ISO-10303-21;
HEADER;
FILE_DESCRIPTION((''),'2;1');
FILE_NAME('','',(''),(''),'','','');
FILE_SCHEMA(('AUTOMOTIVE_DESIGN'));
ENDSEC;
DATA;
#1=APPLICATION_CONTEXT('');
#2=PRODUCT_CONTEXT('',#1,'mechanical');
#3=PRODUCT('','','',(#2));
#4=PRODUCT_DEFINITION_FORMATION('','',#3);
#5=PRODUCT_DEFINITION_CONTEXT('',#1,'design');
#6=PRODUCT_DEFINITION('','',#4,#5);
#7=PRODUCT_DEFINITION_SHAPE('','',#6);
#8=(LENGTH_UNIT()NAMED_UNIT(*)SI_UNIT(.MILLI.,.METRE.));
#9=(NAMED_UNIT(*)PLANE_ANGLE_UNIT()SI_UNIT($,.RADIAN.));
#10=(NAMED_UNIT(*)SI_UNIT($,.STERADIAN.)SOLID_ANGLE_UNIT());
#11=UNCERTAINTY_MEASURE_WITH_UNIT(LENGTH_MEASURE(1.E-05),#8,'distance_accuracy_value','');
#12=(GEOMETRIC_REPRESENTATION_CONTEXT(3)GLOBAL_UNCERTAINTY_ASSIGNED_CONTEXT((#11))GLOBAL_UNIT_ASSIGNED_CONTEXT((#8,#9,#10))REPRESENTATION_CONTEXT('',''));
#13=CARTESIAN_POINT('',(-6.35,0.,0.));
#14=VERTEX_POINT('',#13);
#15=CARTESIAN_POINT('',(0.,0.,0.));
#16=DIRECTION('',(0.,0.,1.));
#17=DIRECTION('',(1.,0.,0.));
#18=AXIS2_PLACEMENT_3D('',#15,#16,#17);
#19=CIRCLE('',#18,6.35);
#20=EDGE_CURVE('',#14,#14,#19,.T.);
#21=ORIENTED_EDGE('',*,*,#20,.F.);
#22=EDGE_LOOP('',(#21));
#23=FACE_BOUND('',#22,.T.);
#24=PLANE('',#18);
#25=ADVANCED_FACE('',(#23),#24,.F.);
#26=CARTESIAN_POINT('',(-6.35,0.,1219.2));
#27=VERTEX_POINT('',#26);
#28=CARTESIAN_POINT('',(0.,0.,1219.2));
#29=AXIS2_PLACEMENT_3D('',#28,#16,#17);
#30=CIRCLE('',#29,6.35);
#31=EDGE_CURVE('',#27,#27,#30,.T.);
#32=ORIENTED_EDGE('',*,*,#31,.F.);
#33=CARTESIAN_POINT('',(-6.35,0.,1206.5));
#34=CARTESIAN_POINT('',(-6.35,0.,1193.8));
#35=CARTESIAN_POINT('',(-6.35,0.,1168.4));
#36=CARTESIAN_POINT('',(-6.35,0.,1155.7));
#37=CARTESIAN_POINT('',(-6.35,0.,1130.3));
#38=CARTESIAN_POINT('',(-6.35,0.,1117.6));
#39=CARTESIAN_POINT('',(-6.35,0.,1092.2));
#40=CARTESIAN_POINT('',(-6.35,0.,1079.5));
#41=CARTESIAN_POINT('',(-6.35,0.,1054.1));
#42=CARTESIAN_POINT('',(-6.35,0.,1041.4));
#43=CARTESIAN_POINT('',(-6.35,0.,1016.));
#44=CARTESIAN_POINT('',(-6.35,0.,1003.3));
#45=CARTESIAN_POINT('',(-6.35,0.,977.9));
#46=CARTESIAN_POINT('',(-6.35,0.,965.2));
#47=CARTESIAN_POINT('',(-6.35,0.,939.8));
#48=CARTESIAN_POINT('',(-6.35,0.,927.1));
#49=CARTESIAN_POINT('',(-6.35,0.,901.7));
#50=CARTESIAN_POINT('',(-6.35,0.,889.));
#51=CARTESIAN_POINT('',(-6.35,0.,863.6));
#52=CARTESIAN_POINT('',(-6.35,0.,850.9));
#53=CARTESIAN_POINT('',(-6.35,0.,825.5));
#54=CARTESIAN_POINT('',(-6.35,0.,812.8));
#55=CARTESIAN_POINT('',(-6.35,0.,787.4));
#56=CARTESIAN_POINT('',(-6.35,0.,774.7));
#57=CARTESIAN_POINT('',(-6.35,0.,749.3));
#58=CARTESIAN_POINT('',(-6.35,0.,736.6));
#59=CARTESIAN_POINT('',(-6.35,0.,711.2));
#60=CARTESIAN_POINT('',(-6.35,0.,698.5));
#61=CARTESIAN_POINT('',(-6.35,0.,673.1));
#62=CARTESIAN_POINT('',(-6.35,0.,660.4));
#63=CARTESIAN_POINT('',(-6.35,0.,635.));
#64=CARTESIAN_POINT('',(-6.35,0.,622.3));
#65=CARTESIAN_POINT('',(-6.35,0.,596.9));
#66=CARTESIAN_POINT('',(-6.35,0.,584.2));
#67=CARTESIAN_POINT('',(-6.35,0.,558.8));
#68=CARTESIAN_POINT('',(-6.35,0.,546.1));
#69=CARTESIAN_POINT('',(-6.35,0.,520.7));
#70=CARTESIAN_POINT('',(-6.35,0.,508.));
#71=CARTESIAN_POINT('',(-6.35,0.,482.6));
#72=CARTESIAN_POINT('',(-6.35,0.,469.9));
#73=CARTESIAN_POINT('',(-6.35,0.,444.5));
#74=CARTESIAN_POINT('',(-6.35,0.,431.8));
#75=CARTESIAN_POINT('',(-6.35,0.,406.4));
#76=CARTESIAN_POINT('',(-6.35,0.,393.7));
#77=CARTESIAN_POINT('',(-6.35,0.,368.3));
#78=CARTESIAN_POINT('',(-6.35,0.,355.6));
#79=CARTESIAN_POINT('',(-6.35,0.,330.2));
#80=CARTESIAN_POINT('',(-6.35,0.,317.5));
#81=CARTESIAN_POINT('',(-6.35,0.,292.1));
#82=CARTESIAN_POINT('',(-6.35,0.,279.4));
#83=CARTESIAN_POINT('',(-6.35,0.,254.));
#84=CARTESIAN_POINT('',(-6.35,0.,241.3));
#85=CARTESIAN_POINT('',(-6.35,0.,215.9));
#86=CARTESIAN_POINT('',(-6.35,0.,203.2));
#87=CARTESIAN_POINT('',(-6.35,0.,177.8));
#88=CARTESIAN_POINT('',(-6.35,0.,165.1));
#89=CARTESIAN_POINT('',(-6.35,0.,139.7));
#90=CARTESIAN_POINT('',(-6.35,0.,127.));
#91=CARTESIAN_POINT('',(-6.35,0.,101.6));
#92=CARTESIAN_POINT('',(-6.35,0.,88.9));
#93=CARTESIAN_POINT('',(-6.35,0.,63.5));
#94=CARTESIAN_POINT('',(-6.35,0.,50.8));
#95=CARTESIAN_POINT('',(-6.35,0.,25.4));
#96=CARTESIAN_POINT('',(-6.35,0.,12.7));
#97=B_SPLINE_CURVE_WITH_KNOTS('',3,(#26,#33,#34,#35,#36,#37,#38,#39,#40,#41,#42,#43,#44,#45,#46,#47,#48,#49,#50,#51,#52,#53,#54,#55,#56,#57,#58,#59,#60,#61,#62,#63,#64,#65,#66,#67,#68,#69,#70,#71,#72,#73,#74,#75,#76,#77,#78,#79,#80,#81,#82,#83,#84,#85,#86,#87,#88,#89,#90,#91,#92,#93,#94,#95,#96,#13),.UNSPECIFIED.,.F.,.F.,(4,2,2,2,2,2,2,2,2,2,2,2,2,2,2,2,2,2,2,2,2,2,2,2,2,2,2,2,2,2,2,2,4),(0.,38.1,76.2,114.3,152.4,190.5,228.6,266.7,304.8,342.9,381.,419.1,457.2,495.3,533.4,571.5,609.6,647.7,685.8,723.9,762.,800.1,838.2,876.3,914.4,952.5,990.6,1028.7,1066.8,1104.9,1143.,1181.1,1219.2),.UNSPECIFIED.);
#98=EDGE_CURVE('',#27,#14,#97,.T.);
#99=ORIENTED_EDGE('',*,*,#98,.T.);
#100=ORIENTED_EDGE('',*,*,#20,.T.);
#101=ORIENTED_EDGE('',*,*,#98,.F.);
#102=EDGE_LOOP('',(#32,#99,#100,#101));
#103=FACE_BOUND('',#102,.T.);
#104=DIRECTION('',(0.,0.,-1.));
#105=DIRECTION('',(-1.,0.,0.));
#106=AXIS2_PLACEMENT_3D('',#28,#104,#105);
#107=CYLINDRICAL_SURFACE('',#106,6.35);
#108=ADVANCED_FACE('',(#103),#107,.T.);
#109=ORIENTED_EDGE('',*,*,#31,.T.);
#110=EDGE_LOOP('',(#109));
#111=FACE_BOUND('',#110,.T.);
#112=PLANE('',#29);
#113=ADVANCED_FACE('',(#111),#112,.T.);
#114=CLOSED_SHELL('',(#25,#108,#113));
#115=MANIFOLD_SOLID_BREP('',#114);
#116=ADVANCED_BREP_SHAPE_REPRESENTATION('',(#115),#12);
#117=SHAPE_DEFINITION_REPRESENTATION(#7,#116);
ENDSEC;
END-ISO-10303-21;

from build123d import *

# Parameters (mm, degrees)
SKETCH1_R           = 6.35
BOSS_EXTRUDE1_DEPTH = 1219.2


with BuildPart() as part:
    # Sketch1 → Boss-Extrude1 (new body)
    with BuildSketch(Plane.XY):
        with Locations(Location((0, 0, 0), (0, 0, 180))):
            Circle(SKETCH1_R)
    extrude(amount=BOSS_EXTRUDE1_DEPTH)


solid = part.part
